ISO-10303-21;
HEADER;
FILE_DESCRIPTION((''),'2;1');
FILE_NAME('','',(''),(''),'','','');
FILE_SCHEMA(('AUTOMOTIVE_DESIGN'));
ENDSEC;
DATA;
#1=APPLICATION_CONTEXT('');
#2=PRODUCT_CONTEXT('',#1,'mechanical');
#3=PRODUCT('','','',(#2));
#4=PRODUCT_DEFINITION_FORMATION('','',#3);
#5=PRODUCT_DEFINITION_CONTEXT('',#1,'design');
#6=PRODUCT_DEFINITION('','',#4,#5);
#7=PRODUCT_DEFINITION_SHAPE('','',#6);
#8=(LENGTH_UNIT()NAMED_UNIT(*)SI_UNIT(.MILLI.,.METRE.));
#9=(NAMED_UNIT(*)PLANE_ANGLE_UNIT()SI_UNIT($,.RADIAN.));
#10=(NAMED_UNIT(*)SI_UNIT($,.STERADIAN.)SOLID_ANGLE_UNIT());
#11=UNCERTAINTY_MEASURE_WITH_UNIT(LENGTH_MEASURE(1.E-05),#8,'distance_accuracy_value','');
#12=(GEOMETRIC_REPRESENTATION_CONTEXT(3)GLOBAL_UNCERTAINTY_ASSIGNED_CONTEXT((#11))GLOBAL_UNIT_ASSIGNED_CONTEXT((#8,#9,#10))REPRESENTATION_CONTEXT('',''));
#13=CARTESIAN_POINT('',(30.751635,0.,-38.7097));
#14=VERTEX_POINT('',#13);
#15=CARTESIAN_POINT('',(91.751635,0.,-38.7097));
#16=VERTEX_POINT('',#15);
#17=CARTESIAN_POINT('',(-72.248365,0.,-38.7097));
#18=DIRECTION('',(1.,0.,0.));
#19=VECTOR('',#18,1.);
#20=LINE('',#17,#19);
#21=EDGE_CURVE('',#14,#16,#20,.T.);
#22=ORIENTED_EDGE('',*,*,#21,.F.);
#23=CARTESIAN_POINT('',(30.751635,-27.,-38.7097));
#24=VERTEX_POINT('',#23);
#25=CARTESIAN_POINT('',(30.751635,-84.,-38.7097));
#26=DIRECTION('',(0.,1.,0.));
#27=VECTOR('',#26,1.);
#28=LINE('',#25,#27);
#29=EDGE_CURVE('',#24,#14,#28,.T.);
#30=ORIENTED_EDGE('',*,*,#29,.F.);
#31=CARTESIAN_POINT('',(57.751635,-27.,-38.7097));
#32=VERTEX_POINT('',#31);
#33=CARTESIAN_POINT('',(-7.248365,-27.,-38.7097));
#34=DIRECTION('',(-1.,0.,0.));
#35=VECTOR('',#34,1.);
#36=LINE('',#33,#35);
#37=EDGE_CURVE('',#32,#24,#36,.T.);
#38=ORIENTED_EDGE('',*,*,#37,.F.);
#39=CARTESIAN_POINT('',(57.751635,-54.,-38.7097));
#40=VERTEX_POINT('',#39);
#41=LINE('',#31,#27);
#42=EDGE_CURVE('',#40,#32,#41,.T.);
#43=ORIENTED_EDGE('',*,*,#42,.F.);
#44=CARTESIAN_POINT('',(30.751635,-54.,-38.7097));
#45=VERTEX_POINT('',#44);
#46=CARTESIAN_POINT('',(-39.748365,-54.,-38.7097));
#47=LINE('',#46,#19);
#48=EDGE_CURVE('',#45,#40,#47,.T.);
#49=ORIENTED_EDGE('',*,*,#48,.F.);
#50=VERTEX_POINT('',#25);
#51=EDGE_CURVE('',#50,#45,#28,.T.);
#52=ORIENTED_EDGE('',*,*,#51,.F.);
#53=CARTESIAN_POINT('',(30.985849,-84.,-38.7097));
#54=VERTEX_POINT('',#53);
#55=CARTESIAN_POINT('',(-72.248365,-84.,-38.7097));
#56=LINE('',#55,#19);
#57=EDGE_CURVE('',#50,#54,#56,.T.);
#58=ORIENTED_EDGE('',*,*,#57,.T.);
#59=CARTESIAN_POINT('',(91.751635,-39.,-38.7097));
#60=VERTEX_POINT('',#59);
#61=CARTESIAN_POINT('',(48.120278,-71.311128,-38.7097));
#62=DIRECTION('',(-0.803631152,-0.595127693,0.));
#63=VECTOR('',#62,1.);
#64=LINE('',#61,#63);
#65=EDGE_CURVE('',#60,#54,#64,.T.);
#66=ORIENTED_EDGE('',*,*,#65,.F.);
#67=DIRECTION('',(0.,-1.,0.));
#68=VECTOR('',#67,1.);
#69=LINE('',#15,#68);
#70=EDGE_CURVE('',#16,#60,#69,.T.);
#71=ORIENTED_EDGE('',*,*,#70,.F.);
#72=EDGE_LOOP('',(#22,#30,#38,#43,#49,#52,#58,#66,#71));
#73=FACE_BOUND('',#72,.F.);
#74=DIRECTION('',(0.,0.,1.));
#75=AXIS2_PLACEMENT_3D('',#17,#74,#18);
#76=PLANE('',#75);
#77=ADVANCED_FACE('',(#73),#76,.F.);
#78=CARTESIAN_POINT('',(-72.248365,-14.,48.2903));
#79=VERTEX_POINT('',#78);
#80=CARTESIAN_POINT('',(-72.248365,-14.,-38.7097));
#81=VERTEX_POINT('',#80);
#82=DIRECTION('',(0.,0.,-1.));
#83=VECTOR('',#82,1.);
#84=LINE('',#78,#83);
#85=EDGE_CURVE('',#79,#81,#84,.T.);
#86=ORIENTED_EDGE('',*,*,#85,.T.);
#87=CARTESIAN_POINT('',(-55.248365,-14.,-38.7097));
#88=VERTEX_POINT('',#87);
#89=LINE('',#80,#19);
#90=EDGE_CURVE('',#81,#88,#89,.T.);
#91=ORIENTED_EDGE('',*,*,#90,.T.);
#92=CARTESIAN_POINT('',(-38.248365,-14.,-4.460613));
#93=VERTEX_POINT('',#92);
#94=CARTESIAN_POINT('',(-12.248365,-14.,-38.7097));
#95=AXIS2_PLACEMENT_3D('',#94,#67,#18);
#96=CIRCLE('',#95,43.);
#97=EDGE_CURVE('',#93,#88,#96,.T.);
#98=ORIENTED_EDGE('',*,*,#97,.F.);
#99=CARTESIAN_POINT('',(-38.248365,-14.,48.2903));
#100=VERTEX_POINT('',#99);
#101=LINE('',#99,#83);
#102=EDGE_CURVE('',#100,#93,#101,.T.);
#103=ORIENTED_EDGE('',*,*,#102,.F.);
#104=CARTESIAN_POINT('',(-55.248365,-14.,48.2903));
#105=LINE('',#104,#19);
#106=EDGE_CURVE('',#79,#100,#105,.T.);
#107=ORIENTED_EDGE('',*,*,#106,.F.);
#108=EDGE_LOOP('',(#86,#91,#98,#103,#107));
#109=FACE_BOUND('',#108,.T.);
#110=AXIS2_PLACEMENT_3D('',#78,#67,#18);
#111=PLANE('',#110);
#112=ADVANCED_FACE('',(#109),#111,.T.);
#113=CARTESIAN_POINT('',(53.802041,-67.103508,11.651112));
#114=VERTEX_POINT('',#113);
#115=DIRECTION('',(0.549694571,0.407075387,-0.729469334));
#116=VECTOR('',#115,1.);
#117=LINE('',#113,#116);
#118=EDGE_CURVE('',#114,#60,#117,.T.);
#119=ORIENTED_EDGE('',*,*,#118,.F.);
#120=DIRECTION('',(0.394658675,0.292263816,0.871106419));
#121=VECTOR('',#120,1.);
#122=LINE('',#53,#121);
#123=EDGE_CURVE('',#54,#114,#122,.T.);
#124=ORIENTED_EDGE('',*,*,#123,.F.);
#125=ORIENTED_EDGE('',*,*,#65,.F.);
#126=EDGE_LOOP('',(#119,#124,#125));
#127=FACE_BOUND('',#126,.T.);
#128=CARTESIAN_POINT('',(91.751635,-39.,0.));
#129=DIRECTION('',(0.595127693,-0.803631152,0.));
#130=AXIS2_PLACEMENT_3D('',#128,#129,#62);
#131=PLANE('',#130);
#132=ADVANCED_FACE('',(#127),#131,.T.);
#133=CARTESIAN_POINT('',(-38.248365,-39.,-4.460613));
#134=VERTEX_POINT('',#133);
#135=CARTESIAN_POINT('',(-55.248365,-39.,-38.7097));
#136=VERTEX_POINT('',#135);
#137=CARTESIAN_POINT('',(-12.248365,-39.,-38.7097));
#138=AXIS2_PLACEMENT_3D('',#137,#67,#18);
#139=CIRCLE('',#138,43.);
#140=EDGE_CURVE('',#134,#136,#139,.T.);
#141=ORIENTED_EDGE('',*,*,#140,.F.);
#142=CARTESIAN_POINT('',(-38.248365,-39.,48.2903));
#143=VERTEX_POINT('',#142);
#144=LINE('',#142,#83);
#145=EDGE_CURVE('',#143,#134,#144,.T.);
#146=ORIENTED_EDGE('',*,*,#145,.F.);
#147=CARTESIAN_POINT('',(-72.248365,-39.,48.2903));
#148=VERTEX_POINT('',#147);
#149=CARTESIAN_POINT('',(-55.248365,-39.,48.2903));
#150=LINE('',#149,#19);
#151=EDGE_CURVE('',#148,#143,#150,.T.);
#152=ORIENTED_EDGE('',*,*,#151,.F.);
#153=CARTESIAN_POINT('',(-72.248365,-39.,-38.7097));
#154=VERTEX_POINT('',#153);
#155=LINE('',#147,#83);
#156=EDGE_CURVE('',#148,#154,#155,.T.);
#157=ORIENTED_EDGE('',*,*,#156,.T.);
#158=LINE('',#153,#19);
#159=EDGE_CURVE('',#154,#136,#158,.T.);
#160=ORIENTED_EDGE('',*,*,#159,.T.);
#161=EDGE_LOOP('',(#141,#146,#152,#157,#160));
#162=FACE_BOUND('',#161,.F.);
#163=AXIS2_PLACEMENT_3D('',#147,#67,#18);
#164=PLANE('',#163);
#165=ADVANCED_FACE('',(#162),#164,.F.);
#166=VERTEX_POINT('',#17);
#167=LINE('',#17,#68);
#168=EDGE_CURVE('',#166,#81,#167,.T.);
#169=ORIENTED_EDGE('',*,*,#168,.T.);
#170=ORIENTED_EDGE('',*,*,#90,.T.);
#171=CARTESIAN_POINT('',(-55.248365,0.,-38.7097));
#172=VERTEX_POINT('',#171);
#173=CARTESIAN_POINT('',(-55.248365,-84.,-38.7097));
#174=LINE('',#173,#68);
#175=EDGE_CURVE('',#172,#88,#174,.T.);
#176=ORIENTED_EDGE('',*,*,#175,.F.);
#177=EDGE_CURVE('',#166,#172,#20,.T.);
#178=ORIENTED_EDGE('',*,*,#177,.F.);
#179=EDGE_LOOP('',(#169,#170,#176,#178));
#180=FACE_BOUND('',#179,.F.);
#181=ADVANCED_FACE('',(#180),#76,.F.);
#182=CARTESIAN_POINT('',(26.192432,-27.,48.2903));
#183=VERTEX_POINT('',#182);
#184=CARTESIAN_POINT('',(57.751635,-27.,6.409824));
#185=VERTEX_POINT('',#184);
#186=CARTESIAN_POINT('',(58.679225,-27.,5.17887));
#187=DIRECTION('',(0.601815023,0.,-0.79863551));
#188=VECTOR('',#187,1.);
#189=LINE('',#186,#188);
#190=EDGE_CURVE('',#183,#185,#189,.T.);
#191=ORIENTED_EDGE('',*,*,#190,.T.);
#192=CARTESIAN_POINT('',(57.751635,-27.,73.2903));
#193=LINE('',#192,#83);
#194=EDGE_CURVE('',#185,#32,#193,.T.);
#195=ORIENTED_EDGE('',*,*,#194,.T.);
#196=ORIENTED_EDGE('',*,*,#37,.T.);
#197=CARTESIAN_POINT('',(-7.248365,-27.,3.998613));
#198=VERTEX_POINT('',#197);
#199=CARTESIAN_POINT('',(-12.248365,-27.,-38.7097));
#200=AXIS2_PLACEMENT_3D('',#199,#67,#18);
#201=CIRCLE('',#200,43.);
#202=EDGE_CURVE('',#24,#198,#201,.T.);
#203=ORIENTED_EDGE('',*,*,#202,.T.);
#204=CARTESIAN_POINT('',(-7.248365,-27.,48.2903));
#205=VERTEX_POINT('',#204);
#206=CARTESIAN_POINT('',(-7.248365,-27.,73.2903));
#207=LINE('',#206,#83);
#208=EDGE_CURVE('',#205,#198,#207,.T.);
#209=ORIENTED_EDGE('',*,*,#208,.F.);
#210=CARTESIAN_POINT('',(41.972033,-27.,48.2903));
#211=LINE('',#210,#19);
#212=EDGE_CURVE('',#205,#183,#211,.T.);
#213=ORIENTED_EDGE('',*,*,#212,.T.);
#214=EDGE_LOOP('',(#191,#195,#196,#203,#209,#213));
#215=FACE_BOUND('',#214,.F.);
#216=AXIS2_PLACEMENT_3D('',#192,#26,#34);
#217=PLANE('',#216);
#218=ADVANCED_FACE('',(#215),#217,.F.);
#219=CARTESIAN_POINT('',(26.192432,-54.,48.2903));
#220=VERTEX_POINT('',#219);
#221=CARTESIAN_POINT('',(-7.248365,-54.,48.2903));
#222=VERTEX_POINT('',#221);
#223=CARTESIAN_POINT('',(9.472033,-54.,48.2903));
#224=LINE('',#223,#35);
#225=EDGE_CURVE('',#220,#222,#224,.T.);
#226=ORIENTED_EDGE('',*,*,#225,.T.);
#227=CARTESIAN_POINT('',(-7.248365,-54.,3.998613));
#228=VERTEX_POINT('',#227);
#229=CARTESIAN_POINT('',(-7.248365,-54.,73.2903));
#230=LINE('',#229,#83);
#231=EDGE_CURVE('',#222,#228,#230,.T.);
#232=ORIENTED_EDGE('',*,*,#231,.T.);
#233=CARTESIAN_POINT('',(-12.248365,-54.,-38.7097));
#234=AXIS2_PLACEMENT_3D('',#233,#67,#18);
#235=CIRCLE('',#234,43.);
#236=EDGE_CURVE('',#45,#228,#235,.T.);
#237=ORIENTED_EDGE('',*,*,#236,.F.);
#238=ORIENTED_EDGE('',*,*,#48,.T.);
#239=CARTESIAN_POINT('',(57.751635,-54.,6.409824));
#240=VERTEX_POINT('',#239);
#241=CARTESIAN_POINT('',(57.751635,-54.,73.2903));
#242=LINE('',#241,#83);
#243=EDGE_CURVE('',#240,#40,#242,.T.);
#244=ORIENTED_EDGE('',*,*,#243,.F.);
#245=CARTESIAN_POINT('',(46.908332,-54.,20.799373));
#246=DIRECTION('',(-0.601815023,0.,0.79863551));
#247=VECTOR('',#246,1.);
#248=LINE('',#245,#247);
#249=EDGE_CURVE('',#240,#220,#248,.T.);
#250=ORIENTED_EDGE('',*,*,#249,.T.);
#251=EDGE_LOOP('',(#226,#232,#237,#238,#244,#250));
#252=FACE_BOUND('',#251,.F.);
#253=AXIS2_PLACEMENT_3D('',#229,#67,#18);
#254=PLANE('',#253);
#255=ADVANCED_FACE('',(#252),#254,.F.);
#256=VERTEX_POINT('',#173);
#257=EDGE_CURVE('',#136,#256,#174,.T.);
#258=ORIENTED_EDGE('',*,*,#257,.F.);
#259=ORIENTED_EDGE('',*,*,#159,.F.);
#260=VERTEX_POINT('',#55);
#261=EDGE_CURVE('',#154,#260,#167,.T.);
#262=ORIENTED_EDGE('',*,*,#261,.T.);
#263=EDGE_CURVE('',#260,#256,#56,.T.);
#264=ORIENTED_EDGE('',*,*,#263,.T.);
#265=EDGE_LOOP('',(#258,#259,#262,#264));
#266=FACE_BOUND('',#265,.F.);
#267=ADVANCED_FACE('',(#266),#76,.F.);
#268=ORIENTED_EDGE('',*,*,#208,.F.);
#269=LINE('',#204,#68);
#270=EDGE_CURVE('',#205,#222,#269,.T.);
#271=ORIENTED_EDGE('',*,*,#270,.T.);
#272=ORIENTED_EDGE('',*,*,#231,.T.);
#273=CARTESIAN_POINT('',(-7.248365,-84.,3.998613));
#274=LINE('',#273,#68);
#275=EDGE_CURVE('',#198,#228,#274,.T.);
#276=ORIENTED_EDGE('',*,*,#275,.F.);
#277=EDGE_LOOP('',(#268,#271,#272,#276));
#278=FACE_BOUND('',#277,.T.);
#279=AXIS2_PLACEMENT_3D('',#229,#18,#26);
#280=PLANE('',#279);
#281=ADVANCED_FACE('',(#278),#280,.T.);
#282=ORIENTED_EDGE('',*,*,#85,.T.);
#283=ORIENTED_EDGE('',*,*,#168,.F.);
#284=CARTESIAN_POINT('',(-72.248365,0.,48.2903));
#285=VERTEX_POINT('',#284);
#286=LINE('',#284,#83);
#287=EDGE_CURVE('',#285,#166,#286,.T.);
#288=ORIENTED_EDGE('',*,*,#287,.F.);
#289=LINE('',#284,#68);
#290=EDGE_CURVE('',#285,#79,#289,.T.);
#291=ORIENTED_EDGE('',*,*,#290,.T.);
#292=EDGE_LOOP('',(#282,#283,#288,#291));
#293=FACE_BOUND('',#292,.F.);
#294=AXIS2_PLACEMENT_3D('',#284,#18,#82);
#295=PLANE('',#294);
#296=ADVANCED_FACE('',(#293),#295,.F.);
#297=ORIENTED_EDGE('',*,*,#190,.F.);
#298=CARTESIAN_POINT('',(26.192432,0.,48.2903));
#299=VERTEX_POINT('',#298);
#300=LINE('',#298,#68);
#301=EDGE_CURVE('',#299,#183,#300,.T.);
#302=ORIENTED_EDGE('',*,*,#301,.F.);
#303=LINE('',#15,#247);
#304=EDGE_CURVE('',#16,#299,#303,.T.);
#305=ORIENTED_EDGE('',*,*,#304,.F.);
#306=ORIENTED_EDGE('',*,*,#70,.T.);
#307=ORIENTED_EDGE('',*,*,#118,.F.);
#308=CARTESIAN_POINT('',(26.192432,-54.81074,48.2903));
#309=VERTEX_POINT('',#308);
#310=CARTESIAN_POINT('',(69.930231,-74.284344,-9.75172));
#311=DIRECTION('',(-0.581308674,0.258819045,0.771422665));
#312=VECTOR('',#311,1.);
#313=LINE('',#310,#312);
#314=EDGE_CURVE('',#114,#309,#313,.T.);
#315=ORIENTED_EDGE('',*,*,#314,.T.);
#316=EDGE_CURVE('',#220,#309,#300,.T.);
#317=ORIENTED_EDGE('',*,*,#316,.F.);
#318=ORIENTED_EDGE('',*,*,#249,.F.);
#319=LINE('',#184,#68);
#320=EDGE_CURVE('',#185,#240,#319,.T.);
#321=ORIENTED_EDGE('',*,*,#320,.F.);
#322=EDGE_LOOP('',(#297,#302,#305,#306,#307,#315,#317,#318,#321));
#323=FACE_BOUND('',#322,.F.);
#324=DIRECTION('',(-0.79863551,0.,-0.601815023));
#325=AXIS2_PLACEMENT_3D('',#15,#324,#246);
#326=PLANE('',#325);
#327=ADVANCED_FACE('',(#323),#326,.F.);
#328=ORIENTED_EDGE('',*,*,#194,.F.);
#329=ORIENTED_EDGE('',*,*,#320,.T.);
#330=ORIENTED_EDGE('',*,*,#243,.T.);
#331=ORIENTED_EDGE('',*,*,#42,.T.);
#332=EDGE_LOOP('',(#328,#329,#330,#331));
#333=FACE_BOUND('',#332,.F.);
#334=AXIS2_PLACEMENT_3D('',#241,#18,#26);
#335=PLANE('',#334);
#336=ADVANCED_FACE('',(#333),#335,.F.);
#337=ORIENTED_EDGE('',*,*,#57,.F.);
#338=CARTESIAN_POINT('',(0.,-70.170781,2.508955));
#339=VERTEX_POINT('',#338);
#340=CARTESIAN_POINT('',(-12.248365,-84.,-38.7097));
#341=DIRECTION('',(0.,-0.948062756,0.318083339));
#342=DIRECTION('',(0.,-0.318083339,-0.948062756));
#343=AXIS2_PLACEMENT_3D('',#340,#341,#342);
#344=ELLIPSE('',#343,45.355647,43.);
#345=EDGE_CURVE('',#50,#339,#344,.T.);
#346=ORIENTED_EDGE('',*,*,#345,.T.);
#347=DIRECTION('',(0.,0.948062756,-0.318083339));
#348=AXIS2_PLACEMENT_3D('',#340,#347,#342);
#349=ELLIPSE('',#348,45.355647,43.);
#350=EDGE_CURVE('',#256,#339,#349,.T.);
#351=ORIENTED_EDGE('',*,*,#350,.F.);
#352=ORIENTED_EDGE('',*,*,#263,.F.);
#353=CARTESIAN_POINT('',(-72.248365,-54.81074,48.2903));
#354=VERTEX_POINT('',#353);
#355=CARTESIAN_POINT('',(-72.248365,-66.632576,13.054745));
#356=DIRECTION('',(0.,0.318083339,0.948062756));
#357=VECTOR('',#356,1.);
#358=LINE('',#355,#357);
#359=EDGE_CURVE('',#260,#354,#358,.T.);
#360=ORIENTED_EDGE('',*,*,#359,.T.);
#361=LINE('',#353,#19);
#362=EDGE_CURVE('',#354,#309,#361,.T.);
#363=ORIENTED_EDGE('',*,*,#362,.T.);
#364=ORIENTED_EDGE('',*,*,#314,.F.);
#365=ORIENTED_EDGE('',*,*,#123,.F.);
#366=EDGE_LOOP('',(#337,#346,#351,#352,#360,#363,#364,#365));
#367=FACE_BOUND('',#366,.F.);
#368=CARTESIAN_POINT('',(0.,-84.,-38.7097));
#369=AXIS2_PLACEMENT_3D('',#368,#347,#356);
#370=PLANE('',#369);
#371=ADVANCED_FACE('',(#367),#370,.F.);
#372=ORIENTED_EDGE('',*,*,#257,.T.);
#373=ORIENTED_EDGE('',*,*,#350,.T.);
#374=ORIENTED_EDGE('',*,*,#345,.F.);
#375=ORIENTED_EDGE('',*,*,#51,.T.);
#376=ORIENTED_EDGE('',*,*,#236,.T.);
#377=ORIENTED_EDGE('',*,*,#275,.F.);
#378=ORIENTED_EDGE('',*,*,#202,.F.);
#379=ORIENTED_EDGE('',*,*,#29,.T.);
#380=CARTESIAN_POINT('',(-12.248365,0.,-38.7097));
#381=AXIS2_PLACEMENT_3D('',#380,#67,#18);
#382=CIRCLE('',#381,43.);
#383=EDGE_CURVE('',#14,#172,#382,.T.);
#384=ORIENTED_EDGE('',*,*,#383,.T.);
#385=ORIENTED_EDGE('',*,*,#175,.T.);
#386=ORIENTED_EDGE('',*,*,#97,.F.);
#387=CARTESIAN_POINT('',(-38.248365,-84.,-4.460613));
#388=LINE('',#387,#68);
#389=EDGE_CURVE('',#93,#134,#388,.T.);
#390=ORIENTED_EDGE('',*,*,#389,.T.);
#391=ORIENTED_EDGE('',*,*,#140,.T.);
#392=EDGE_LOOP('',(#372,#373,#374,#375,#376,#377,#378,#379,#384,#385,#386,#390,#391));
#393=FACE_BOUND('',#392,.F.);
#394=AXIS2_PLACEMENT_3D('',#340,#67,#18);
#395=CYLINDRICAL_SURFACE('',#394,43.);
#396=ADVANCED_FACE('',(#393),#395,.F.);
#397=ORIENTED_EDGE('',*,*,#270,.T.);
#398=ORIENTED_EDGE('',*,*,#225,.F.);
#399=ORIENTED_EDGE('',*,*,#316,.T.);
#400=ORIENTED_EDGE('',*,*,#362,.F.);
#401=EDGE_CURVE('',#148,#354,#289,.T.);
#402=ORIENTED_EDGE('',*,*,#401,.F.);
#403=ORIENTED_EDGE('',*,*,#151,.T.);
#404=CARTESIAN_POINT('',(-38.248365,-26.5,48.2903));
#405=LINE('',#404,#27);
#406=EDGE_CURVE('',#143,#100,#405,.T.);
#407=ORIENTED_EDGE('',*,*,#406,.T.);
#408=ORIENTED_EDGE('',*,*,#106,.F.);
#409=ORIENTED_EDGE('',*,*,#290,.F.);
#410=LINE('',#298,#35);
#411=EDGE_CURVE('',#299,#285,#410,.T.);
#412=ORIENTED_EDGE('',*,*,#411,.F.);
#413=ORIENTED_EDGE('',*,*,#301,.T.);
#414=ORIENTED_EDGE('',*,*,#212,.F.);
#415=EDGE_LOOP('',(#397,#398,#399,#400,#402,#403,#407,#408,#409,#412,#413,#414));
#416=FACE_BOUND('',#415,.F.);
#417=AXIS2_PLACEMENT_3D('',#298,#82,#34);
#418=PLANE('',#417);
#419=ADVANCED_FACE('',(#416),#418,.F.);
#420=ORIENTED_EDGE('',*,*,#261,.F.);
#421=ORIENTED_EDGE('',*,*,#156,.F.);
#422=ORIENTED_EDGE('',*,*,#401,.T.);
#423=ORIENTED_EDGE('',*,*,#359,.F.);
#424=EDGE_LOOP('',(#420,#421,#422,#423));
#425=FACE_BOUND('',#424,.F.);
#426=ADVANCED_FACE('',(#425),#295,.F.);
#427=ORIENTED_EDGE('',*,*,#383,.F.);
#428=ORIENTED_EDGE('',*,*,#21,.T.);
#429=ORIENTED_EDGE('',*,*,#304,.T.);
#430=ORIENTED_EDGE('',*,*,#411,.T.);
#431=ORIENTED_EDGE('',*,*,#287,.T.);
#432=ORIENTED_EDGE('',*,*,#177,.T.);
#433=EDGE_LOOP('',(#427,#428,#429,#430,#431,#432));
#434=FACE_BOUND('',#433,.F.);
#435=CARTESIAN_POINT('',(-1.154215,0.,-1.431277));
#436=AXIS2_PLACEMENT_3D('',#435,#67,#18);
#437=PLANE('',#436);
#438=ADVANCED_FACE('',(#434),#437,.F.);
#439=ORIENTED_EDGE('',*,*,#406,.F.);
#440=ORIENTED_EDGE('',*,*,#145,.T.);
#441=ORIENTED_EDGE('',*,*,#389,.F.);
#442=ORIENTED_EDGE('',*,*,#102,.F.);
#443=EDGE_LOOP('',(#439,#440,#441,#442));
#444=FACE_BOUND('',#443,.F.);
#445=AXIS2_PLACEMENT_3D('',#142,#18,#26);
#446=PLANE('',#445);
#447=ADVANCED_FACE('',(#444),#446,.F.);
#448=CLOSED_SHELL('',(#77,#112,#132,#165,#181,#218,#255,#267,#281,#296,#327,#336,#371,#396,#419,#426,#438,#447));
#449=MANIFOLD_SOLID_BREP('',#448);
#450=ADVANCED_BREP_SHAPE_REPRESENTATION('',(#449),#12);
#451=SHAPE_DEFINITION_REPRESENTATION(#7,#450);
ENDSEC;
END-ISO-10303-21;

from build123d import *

# Parameters (mm, degrees)
F1_DEPTH       = 84
F3_W           = 33.4407976411
F3_H           = 27
F3_W_2         = 31.5592023589
F4_DEPTH       = 184
F5_W           = 34
F5_H           = 25
F6_DEPTH       = 363
F8_DEPTH       = 191
F13_DEPTH      = 133.5
F13_DEPTH_BACK = 142.2
F15_DEPTH      = 289
F15_DEPTH_BACK = 99


with BuildPart() as f1:
    # F0 (on Front) → F1 (new body)
    with BuildSketch(Plane.XZ):
        Polygon((26.1924322695, 48.2902998924), (-72.2483653716, 48.2902998924), (-72.2483653716, -38.7097001076), (91.7516346284, -38.7097001076), align=None)
    extrude(amount=F1_DEPTH)

    # F3 (on offset) → F4 (cut)
    with BuildSketch(Plane.XY.offset(73.2902998924)):
        with Locations((9.4720334489, -40.5)):
            Rectangle(F3_W, F3_H)
        with Locations((41.9720334489, -40.5)):
            Rectangle(F3_W_2, F3_H)
    extrude(amount=-F4_DEPTH, mode=Mode.SUBTRACT)

    # F5 (on face) → F6 (cut)
    with BuildSketch(Plane.XY.offset(48.2902998924)):
        with Locations((-55.2483653716, -26.5)):
            Rectangle(F5_W, F5_H)
    extrude(amount=-F6_DEPTH, mode=Mode.SUBTRACT)

    # F7 (on face) → F8 (cut)
    with BuildSketch(Plane.XZ.offset(84)):
        with BuildLine():
            ThreePointArc((-55.2483653716, -38.7097001076), (-12.2483653716, -81.7097001076), (30.7516346284, -38.7097001076))
            ThreePointArc((30.7516346284, -38.7097001076), (-12.2483653716, 4.2902998924), (-55.2483653716, -38.7097001076))
        make_face()
    extrude(amount=-F8_DEPTH, mode=Mode.SUBTRACT)

    # F12 (on Right) → F13 (cut, two sides)
    with BuildSketch(Plane.YZ) as f13_sk:
        Polygon((-84, 4.2902998924), (-84, -38.7097001076), (-54.8107397577, 48.2902998924), (-84, 48.2902998924), align=None)
    extrude(amount=-F13_DEPTH, mode=Mode.SUBTRACT)
    extrude(f13_sk.sketch, amount=F13_DEPTH_BACK, mode=Mode.SUBTRACT)

    # F14 (on Top) → F15 (cut, two sides)
    with BuildSketch(Plane.XY) as f15_sk:
        Polygon((91.7516346284, -84), (91.7516346284, -64), (91.7516346284, -39), (30.9858489782, -84), align=None)
    extrude(amount=F15_DEPTH, mode=Mode.SUBTRACT)
    extrude(f15_sk.sketch, amount=-F15_DEPTH_BACK, mode=Mode.SUBTRACT)


solid = f1.part
